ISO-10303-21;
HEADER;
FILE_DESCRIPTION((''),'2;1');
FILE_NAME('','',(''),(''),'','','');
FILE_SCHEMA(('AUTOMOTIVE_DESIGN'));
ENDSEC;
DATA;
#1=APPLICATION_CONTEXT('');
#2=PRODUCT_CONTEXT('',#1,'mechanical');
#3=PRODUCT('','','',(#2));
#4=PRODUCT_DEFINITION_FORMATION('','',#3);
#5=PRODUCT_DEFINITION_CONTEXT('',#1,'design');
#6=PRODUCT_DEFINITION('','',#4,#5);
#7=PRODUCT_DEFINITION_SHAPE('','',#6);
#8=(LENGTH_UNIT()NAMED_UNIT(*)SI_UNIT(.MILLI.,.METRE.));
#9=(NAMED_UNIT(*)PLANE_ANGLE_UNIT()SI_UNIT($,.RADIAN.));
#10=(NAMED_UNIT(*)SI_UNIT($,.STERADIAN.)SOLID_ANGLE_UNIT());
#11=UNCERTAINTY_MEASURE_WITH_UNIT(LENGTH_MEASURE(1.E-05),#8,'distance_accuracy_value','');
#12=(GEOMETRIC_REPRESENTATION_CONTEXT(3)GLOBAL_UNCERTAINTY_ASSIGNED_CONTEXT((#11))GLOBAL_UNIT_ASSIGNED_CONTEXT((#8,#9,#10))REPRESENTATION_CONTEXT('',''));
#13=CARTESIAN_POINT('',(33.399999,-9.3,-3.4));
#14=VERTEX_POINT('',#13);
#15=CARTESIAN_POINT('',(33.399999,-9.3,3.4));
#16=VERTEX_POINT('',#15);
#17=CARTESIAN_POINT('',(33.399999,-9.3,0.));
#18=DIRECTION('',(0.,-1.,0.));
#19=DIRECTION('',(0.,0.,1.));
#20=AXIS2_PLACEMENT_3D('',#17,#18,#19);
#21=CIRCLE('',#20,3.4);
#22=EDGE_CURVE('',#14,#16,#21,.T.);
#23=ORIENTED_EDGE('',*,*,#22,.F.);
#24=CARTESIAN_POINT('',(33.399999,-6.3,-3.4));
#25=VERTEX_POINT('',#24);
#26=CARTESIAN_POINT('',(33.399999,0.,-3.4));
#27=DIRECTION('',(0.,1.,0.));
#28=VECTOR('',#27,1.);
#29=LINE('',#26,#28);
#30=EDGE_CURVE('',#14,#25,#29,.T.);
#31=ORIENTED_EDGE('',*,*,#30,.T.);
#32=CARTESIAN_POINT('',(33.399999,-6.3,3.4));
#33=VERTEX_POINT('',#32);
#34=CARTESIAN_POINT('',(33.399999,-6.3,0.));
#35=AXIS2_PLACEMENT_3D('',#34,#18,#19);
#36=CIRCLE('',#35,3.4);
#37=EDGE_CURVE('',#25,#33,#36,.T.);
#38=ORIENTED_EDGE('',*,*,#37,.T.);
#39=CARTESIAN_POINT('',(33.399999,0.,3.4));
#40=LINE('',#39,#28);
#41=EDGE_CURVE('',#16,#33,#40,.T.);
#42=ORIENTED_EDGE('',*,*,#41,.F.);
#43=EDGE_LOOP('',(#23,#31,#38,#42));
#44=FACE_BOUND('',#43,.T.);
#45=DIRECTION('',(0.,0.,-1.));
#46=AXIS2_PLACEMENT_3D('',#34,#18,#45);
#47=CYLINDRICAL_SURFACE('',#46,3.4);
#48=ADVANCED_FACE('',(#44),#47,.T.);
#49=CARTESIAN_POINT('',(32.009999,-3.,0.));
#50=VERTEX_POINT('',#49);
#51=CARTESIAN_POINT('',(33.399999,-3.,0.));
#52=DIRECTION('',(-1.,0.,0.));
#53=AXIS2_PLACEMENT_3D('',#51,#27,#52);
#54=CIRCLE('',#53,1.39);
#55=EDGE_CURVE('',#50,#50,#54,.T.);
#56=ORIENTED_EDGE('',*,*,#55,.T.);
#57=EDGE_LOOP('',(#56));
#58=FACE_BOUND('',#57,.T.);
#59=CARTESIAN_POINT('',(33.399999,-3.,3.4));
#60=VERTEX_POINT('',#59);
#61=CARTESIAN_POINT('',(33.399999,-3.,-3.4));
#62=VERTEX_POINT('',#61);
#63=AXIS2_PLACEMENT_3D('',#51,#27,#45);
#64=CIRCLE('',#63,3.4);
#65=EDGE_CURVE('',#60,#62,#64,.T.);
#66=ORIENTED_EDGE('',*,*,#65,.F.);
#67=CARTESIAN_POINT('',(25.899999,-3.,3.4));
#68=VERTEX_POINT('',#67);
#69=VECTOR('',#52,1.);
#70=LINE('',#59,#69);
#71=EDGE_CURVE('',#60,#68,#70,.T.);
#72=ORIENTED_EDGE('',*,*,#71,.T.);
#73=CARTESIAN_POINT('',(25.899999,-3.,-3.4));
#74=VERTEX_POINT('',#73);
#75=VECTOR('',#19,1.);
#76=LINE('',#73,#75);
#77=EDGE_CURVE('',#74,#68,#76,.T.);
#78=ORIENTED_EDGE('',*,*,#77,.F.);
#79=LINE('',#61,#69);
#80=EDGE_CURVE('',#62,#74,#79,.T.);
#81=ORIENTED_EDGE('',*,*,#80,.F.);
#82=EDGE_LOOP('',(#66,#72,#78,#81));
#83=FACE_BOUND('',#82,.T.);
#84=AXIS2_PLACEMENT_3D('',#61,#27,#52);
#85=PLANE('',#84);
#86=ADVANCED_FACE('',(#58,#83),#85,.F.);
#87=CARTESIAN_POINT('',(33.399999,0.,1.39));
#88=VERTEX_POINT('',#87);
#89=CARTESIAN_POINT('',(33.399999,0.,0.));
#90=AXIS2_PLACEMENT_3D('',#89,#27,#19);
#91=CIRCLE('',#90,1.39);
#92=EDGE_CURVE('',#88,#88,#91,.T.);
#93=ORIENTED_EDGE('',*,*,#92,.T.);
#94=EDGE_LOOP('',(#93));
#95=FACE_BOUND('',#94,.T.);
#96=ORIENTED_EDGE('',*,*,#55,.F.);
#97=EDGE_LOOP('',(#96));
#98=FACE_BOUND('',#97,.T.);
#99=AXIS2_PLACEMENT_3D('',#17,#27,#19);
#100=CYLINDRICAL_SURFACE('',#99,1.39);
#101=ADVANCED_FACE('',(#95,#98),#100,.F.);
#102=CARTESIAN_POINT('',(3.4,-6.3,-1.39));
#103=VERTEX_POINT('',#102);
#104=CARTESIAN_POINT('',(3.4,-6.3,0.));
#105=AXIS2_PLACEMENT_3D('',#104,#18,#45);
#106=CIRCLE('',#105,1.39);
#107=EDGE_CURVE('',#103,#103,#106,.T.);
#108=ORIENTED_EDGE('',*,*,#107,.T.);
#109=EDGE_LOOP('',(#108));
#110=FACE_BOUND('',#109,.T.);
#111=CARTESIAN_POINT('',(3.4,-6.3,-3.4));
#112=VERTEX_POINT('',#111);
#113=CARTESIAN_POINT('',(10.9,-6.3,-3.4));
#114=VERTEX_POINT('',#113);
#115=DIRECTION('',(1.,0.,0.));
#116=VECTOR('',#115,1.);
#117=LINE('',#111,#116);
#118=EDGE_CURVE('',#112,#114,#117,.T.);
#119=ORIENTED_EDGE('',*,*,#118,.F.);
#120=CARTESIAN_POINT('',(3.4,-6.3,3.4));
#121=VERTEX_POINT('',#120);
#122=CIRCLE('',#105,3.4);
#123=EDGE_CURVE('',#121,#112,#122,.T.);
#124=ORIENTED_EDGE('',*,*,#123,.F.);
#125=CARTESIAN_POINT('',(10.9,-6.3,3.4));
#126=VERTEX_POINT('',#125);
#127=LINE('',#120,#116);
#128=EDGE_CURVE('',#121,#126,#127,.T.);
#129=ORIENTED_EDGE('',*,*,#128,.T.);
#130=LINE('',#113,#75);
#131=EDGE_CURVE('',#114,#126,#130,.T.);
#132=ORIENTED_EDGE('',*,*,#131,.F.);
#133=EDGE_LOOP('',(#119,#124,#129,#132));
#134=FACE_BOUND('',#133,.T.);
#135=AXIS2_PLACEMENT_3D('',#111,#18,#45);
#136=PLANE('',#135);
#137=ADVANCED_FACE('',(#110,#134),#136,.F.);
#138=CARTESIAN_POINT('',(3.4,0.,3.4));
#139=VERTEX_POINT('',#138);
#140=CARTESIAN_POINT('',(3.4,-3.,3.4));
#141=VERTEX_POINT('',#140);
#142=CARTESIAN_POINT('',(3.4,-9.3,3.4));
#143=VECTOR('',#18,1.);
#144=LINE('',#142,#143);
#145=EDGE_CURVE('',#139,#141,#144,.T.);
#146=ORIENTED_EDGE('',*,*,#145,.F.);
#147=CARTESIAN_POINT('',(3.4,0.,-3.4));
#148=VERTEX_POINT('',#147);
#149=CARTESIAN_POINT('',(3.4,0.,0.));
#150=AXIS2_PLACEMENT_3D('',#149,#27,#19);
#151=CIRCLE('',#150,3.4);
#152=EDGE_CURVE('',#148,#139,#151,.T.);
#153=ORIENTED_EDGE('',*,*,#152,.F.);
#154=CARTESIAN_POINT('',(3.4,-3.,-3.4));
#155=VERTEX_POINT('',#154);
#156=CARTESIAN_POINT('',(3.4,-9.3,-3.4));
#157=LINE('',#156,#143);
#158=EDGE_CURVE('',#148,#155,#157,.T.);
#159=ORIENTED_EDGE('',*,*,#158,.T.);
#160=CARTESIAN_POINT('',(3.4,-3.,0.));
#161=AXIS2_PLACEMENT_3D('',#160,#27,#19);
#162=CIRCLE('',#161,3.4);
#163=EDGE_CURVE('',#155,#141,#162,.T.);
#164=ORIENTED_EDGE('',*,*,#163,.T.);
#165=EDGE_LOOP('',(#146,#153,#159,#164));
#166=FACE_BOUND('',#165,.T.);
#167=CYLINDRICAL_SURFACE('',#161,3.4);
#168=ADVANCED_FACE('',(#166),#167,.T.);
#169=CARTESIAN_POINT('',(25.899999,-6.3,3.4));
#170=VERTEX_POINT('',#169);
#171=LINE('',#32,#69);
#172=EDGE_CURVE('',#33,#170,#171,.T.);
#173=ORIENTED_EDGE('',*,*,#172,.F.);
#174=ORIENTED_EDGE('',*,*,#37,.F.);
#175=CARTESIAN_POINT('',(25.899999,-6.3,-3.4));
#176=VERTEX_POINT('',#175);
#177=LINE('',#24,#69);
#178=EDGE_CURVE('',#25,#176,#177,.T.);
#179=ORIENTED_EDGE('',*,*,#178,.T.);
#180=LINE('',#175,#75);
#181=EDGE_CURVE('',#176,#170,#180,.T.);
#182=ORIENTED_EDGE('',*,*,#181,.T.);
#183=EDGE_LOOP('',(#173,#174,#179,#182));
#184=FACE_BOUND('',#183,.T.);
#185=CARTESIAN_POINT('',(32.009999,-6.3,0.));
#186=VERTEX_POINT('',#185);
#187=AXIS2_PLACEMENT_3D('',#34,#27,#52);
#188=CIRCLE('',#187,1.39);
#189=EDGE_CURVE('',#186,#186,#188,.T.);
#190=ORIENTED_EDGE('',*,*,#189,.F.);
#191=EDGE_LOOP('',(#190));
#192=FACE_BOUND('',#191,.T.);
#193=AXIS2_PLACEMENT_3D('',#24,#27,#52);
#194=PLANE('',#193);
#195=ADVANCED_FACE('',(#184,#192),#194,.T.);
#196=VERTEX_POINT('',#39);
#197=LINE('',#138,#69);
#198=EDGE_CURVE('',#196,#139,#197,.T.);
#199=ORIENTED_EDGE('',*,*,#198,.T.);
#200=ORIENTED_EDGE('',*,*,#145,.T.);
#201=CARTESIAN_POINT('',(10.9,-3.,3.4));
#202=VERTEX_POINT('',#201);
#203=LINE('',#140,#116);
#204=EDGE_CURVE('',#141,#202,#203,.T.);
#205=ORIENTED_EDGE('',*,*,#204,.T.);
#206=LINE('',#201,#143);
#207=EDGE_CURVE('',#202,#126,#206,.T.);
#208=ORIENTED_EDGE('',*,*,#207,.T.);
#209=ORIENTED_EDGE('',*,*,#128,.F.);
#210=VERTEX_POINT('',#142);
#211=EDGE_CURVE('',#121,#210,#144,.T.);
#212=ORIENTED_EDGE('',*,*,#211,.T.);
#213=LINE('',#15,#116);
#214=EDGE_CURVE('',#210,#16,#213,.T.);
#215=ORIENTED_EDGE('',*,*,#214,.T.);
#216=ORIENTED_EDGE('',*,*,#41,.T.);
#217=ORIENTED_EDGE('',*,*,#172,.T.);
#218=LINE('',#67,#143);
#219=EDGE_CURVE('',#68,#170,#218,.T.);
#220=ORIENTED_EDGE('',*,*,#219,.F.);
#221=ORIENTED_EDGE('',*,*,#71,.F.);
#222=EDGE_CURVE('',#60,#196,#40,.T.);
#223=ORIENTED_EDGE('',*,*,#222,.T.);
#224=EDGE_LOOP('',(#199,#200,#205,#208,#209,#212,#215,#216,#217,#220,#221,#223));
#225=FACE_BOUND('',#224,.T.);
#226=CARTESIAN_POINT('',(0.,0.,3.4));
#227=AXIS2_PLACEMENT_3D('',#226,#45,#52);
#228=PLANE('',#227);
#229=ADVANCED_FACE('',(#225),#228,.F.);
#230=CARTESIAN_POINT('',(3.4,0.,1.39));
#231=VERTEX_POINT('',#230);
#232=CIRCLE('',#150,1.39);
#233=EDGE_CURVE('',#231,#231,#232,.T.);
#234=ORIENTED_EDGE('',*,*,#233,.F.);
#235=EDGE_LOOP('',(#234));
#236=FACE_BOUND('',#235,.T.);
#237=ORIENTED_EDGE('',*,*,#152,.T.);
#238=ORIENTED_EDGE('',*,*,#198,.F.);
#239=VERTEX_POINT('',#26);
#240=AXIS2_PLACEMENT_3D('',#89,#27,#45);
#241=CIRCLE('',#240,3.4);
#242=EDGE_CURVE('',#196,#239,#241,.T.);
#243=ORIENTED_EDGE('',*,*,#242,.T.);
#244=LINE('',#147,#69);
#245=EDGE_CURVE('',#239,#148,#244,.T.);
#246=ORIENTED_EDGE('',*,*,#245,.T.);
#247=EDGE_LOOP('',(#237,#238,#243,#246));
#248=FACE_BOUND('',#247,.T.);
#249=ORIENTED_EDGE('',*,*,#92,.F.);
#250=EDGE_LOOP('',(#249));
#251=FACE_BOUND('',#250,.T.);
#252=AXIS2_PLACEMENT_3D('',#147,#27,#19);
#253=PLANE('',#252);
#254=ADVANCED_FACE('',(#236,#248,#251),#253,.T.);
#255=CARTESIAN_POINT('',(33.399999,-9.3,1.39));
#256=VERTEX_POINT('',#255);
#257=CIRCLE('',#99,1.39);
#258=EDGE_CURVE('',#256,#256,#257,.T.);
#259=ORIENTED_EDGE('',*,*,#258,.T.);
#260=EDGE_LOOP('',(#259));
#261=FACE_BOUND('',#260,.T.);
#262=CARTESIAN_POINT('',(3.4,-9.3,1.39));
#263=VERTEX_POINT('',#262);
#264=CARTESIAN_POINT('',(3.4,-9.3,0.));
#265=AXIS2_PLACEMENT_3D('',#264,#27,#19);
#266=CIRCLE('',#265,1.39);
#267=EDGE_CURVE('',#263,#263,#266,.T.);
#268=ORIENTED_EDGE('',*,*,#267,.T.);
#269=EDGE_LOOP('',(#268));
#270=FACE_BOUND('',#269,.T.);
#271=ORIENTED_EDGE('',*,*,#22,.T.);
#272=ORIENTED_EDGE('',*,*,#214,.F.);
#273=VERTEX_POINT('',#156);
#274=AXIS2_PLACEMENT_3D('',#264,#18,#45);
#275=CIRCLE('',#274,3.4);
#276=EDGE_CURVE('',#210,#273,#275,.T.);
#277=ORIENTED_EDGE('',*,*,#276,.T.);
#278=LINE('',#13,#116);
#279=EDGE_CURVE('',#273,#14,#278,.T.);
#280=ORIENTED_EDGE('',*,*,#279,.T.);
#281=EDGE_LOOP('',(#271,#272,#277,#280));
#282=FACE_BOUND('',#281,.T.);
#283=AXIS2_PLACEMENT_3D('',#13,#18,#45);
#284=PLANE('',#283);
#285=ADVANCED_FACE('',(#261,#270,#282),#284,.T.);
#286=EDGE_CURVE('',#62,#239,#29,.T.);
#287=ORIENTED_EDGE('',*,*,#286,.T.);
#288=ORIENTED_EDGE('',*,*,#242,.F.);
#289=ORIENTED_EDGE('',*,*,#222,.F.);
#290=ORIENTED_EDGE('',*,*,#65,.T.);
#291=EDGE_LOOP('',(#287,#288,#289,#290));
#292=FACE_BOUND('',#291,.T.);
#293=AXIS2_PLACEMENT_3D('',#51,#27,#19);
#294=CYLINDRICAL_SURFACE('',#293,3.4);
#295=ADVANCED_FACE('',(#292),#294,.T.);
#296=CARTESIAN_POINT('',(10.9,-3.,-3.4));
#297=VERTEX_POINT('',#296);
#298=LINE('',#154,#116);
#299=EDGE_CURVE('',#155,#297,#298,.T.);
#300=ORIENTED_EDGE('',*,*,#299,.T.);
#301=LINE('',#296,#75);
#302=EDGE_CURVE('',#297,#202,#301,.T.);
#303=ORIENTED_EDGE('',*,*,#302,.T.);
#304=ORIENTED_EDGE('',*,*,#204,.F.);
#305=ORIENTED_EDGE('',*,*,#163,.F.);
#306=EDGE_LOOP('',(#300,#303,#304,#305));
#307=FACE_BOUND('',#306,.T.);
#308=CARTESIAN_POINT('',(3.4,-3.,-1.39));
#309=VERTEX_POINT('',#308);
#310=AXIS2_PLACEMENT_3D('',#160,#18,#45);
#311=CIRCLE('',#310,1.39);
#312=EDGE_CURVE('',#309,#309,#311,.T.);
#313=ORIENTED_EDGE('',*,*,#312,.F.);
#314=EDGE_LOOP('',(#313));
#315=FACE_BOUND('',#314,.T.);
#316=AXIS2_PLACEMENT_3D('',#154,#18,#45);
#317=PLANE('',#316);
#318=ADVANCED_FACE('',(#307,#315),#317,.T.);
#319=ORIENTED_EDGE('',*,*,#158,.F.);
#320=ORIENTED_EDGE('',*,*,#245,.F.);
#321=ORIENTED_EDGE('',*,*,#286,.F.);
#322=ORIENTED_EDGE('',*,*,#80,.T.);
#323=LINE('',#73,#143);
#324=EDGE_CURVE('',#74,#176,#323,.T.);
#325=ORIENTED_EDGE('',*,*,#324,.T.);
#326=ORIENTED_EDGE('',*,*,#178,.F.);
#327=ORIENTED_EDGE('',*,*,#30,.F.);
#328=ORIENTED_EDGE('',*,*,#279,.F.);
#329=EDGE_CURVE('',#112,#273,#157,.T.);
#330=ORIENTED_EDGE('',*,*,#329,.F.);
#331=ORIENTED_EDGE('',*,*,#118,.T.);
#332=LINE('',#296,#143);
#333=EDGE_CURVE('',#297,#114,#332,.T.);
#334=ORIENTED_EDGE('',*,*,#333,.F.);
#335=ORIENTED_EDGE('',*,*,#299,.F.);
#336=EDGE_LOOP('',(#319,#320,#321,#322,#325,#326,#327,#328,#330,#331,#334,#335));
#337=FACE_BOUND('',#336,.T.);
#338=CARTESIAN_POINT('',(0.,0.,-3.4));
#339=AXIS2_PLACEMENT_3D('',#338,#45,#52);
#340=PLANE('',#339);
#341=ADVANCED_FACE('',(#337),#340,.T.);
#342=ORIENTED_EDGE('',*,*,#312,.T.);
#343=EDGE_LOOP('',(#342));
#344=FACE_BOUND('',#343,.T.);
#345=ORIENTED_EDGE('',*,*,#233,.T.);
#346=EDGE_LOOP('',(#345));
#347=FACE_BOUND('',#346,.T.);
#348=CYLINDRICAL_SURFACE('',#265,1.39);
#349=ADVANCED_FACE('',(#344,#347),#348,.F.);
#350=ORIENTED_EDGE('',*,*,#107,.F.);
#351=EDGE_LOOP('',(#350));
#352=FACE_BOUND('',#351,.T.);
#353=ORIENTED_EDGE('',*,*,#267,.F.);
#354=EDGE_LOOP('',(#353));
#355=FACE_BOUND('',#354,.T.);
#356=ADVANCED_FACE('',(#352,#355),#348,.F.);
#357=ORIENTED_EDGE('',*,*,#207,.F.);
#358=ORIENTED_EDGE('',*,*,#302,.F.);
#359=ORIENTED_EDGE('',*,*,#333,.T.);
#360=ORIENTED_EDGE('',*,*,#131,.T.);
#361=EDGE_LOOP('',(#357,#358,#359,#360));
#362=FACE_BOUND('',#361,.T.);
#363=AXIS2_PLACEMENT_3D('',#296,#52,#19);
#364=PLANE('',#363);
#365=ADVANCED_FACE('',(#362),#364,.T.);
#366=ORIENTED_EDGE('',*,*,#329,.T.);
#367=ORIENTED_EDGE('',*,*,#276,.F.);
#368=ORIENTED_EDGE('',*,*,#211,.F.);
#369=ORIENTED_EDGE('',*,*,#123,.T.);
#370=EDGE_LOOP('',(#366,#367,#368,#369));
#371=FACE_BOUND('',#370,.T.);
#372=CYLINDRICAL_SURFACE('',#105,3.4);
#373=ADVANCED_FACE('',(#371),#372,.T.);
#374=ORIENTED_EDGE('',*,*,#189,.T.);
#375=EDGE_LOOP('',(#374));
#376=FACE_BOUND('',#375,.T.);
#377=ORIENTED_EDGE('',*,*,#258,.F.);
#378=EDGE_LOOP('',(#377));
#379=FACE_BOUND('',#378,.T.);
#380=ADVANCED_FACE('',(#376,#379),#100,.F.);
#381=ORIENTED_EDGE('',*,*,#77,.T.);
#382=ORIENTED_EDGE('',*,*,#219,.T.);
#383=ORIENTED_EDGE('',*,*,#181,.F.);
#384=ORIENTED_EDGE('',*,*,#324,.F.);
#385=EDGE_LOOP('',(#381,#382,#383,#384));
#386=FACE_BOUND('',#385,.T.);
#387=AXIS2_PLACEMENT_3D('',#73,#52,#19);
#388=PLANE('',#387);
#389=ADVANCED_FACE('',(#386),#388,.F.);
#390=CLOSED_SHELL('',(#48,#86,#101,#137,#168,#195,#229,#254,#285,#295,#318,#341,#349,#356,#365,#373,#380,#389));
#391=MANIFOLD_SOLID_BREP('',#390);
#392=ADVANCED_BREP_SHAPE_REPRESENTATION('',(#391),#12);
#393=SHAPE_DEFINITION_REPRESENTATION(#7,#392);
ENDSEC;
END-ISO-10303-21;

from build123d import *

# Parameters (mm, degrees)
BOSS_EXTRUDE2_DEPTH      = 3.4
BOSS_EXTRUDE2_DEPTH_BACK = 3.4
SKETCH1_W                = 29.999999097
SKETCH1_H                = 9.300000034
SKETCH3_W                = 7.5
SKETCH3_H                = 3.300000034
CUT_EXTRUDE1_DEPTH       = 6.8
SKETCH4_W                = 7.5
SKETCH4_H                = 3.300000034
CUT_EXTRUDE2_DEPTH       = 6.8
BOSS_EXTRUDE3_START      = -3
BOSS_EXTRUDE3_DEPTH      = 3
BOSS_EXTRUDE4_START      = -3
BOSS_EXTRUDE4_DEPTH      = 3
BOSS_EXTRUDE5_START      = -3
BOSS_EXTRUDE5_DEPTH      = 3
BOSS_EXTRUDE6_START      = -3
BOSS_EXTRUDE6_DEPTH      = 3
CUT_EXTRUDE3_START       = -9.3
SKETCH9_R                = 1.39
CUT_EXTRUDE3_DEPTH       = 9.3
CUT_EXTRUDE4_START       = -9.3
SKETCH10_R               = 1.39
CUT_EXTRUDE4_DEPTH       = 9.3


with BuildPart() as part:
    # Sketch1 → Boss-Extrude2 (new, two sides: drawn at the far end of the back side and taken through both)
    with BuildSketch(Plane.XY.offset(-BOSS_EXTRUDE2_DEPTH_BACK)):
        with Locations((18.399999593, -4.650000017)):
            Rectangle(SKETCH1_W, SKETCH1_H)
    extrude(amount=BOSS_EXTRUDE2_DEPTH + BOSS_EXTRUDE2_DEPTH_BACK)

    # Sketch3 → Cut-Extrude1 (cut)
    with BuildSketch(Plane.XY.offset(3.4)):
        with Locations((7.150000045, -4.650000017)):
            Rectangle(SKETCH3_W, SKETCH3_H)
    extrude(amount=-CUT_EXTRUDE1_DEPTH, mode=Mode.SUBTRACT)

    # Sketch4 → Cut-Extrude2 (cut)
    with BuildSketch(Plane.XY.offset(3.4)):
        with Locations((29.649999142, -4.650000017)):
            Rectangle(SKETCH4_W, SKETCH4_H)
    extrude(amount=-CUT_EXTRUDE2_DEPTH, mode=Mode.SUBTRACT)

    # Sketch5 → Boss-Extrude3 (add)
    with BuildSketch(Plane(origin=(0, 0, 0), x_dir=(1, 0, 0), z_dir=(0, 1, 0)).offset(BOSS_EXTRUDE3_START)):
        with BuildLine():
            Line((3.400000045, 3.4), (3.400000045, -3.4))
            ThreePointArc((3.400000045, -3.4), (4.5e-08, 0), (3.400000045, 3.4))
        make_face()
    extrude(amount=BOSS_EXTRUDE3_DEPTH)

    # Sketch6 → Boss-Extrude4 (add)
    with BuildSketch(Plane(origin=(0, 0, 0), x_dir=(1, 0, 0), z_dir=(0, 1, 0)).offset(BOSS_EXTRUDE4_START)):
        with BuildLine():
            Line((33.399999142, 3.4), (33.399999142, -3.4))
            ThreePointArc((33.399999142, -3.4), (36.799999142, 0), (33.399999142, 3.4))
        make_face()
    extrude(amount=BOSS_EXTRUDE4_DEPTH)

    # Sketch7 → Boss-Extrude5 (add)
    with BuildSketch(Plane(origin=(0, -9.300000034, 0), x_dir=(-1, 0, 0), z_dir=(0, -1, 0)).offset(BOSS_EXTRUDE5_START)):
        with BuildLine():
            Line((-3.400000045, -3.4), (-3.400000045, 3.4))
            ThreePointArc((-3.400000045, 3.4), (-4.5e-08, 0), (-3.400000045, -3.4))
        make_face()
    extrude(amount=BOSS_EXTRUDE5_DEPTH)

    # Sketch8 → Boss-Extrude6 (add)
    with BuildSketch(Plane(origin=(0, -9.300000034, 0), x_dir=(-1, 0, 0), z_dir=(0, -1, 0)).offset(BOSS_EXTRUDE6_START)):
        with BuildLine():
            Line((-33.399999142, -3.4), (-33.399999142, 3.4))
            ThreePointArc((-33.399999142, 3.4), (-36.799999142, 0), (-33.399999142, -3.4))
        make_face()
    extrude(amount=BOSS_EXTRUDE6_DEPTH)

    # Sketch9 → Cut-Extrude3 (cut)
    with BuildSketch(Plane(origin=(0, 0, 0), x_dir=(1, 0, 0), z_dir=(0, 1, 0)).offset(CUT_EXTRUDE3_START)):
        with Locations(Location((3.400000045, 0, 0), (0, 0, 270))):
            Circle(SKETCH9_R)
    extrude(amount=CUT_EXTRUDE3_DEPTH, mode=Mode.SUBTRACT)

    # Sketch10 → Cut-Extrude4 (cut)
    with BuildSketch(Plane(origin=(0, 0, 0), x_dir=(1, 0, 0), z_dir=(0, 1, 0)).offset(CUT_EXTRUDE4_START)):
        with Locations(Location((33.399999142, 0, 0), (0, 0, 270))):
            Circle(SKETCH10_R)
    extrude(amount=CUT_EXTRUDE4_DEPTH, mode=Mode.SUBTRACT)


solid = part.part
